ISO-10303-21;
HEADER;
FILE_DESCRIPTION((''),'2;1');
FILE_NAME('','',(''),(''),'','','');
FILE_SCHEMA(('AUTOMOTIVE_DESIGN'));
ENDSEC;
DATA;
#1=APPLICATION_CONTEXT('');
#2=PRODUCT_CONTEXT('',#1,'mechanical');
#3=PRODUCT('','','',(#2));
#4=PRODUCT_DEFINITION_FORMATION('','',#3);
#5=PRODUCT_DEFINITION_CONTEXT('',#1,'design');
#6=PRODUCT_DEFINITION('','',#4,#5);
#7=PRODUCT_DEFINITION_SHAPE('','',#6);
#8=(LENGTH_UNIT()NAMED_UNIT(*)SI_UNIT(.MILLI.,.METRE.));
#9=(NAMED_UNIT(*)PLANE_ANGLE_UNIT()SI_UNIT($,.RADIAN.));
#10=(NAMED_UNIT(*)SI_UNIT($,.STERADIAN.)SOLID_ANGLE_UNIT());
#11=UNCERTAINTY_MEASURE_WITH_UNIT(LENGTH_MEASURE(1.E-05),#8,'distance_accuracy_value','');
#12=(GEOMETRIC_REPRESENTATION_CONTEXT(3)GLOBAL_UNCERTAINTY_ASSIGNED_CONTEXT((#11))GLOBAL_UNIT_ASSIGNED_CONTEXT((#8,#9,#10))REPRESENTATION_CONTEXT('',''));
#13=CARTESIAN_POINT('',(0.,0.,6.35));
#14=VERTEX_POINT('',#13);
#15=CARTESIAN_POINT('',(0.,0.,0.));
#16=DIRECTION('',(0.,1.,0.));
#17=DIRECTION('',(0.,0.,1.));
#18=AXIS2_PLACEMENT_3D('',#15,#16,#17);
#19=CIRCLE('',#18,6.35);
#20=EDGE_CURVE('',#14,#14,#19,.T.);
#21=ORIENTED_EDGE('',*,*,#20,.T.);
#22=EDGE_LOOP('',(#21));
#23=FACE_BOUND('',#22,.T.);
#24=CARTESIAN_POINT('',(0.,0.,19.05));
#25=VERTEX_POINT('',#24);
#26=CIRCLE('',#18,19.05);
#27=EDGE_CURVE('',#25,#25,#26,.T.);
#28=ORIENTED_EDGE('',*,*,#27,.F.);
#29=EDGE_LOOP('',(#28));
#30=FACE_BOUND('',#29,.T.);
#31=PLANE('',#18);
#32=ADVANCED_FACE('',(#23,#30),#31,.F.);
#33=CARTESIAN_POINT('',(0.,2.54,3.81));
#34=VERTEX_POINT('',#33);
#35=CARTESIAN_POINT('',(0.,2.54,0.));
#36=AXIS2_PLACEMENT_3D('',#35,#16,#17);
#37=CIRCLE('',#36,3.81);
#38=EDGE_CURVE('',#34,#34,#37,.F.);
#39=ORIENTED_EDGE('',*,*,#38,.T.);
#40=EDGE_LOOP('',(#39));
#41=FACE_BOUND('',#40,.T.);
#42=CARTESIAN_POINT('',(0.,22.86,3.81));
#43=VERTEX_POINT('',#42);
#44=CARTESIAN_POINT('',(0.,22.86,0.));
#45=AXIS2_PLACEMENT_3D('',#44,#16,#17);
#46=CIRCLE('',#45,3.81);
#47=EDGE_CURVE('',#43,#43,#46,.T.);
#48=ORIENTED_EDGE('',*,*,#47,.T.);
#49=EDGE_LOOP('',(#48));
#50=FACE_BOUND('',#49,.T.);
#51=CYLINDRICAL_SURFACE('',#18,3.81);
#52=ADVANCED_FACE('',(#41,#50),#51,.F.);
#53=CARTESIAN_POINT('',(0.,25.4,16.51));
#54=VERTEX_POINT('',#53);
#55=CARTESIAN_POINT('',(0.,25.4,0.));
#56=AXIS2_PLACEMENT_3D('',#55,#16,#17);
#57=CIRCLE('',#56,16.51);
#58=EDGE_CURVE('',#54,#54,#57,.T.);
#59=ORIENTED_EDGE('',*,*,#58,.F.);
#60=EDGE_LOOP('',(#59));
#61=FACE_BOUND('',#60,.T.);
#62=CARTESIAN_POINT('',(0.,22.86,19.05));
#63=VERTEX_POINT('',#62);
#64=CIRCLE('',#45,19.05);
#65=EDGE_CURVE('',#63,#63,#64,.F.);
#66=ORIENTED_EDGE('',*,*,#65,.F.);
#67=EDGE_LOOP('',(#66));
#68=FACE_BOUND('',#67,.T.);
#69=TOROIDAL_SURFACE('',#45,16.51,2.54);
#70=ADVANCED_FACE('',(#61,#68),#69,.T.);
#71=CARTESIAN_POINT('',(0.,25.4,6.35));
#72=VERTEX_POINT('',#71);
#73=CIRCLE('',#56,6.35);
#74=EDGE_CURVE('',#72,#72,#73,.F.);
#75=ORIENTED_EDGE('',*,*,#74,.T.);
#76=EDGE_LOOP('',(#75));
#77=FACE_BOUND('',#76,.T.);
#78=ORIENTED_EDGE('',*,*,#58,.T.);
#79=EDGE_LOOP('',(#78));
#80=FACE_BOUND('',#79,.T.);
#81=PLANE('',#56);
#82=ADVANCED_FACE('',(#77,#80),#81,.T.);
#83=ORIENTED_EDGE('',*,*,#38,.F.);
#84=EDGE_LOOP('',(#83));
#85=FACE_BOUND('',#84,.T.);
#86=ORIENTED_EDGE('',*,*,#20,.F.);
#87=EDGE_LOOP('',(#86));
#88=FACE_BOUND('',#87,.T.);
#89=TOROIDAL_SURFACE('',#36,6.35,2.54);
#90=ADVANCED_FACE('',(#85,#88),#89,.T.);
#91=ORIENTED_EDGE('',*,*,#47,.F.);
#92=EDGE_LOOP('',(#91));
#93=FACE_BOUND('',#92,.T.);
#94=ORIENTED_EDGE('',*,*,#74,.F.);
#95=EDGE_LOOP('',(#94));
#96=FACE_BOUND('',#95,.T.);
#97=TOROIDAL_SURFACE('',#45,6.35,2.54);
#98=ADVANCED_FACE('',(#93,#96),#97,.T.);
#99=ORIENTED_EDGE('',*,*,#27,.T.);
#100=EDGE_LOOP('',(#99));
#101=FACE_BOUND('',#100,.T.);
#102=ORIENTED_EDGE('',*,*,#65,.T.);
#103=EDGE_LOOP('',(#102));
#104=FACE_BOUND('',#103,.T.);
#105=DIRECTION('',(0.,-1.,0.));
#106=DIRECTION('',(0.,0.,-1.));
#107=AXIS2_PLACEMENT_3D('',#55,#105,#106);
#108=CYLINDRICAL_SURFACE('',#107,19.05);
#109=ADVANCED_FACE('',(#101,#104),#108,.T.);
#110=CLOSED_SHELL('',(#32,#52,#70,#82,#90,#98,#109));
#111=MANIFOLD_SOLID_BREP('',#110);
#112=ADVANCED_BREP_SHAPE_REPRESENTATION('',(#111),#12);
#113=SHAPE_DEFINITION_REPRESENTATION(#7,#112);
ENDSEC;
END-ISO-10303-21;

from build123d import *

# Parameters (mm, degrees)
SKETCH3_R           = 19.05
BOSS_EXTRUDE1_DEPTH = 25.4
SKETCH4_R           = 3.81
CUT_EXTRUDE1_DEPTH  = 25.4
FILLET1_R           = 2.54


with BuildPart() as part:
    # Sketch3 → Boss-Extrude1 (new body)
    with BuildSketch(Plane(origin=(0, 0, 0), x_dir=(1, 0, 0), z_dir=(0, 1, 0))):
        with Locations(Location((0, 0, 0), (0, 0, 270))):
            Circle(SKETCH3_R)
    extrude(amount=BOSS_EXTRUDE1_DEPTH)

    # Sketch4 → Cut-Extrude1 (cut)
    with BuildSketch(Plane(origin=(0, 25.4, 0), x_dir=(1, 0, 0), z_dir=(0, 1, 0))):
        with Locations(Location((0, 0, 0), (0, 0, 270))):
            Circle(SKETCH4_R)
    extrude(amount=-CUT_EXTRUDE1_DEPTH, mode=Mode.SUBTRACT)

    # Fillet1
    fillet1_edges = [part.edges().sort_by_distance(p)[0] for p in [
        (0, 25.4, -19.05),
        (0, 0, -3.81),
        (0, 25.4, -3.81),
    ]]
    fillet(fillet1_edges, radius=FILLET1_R)


solid = part.part
